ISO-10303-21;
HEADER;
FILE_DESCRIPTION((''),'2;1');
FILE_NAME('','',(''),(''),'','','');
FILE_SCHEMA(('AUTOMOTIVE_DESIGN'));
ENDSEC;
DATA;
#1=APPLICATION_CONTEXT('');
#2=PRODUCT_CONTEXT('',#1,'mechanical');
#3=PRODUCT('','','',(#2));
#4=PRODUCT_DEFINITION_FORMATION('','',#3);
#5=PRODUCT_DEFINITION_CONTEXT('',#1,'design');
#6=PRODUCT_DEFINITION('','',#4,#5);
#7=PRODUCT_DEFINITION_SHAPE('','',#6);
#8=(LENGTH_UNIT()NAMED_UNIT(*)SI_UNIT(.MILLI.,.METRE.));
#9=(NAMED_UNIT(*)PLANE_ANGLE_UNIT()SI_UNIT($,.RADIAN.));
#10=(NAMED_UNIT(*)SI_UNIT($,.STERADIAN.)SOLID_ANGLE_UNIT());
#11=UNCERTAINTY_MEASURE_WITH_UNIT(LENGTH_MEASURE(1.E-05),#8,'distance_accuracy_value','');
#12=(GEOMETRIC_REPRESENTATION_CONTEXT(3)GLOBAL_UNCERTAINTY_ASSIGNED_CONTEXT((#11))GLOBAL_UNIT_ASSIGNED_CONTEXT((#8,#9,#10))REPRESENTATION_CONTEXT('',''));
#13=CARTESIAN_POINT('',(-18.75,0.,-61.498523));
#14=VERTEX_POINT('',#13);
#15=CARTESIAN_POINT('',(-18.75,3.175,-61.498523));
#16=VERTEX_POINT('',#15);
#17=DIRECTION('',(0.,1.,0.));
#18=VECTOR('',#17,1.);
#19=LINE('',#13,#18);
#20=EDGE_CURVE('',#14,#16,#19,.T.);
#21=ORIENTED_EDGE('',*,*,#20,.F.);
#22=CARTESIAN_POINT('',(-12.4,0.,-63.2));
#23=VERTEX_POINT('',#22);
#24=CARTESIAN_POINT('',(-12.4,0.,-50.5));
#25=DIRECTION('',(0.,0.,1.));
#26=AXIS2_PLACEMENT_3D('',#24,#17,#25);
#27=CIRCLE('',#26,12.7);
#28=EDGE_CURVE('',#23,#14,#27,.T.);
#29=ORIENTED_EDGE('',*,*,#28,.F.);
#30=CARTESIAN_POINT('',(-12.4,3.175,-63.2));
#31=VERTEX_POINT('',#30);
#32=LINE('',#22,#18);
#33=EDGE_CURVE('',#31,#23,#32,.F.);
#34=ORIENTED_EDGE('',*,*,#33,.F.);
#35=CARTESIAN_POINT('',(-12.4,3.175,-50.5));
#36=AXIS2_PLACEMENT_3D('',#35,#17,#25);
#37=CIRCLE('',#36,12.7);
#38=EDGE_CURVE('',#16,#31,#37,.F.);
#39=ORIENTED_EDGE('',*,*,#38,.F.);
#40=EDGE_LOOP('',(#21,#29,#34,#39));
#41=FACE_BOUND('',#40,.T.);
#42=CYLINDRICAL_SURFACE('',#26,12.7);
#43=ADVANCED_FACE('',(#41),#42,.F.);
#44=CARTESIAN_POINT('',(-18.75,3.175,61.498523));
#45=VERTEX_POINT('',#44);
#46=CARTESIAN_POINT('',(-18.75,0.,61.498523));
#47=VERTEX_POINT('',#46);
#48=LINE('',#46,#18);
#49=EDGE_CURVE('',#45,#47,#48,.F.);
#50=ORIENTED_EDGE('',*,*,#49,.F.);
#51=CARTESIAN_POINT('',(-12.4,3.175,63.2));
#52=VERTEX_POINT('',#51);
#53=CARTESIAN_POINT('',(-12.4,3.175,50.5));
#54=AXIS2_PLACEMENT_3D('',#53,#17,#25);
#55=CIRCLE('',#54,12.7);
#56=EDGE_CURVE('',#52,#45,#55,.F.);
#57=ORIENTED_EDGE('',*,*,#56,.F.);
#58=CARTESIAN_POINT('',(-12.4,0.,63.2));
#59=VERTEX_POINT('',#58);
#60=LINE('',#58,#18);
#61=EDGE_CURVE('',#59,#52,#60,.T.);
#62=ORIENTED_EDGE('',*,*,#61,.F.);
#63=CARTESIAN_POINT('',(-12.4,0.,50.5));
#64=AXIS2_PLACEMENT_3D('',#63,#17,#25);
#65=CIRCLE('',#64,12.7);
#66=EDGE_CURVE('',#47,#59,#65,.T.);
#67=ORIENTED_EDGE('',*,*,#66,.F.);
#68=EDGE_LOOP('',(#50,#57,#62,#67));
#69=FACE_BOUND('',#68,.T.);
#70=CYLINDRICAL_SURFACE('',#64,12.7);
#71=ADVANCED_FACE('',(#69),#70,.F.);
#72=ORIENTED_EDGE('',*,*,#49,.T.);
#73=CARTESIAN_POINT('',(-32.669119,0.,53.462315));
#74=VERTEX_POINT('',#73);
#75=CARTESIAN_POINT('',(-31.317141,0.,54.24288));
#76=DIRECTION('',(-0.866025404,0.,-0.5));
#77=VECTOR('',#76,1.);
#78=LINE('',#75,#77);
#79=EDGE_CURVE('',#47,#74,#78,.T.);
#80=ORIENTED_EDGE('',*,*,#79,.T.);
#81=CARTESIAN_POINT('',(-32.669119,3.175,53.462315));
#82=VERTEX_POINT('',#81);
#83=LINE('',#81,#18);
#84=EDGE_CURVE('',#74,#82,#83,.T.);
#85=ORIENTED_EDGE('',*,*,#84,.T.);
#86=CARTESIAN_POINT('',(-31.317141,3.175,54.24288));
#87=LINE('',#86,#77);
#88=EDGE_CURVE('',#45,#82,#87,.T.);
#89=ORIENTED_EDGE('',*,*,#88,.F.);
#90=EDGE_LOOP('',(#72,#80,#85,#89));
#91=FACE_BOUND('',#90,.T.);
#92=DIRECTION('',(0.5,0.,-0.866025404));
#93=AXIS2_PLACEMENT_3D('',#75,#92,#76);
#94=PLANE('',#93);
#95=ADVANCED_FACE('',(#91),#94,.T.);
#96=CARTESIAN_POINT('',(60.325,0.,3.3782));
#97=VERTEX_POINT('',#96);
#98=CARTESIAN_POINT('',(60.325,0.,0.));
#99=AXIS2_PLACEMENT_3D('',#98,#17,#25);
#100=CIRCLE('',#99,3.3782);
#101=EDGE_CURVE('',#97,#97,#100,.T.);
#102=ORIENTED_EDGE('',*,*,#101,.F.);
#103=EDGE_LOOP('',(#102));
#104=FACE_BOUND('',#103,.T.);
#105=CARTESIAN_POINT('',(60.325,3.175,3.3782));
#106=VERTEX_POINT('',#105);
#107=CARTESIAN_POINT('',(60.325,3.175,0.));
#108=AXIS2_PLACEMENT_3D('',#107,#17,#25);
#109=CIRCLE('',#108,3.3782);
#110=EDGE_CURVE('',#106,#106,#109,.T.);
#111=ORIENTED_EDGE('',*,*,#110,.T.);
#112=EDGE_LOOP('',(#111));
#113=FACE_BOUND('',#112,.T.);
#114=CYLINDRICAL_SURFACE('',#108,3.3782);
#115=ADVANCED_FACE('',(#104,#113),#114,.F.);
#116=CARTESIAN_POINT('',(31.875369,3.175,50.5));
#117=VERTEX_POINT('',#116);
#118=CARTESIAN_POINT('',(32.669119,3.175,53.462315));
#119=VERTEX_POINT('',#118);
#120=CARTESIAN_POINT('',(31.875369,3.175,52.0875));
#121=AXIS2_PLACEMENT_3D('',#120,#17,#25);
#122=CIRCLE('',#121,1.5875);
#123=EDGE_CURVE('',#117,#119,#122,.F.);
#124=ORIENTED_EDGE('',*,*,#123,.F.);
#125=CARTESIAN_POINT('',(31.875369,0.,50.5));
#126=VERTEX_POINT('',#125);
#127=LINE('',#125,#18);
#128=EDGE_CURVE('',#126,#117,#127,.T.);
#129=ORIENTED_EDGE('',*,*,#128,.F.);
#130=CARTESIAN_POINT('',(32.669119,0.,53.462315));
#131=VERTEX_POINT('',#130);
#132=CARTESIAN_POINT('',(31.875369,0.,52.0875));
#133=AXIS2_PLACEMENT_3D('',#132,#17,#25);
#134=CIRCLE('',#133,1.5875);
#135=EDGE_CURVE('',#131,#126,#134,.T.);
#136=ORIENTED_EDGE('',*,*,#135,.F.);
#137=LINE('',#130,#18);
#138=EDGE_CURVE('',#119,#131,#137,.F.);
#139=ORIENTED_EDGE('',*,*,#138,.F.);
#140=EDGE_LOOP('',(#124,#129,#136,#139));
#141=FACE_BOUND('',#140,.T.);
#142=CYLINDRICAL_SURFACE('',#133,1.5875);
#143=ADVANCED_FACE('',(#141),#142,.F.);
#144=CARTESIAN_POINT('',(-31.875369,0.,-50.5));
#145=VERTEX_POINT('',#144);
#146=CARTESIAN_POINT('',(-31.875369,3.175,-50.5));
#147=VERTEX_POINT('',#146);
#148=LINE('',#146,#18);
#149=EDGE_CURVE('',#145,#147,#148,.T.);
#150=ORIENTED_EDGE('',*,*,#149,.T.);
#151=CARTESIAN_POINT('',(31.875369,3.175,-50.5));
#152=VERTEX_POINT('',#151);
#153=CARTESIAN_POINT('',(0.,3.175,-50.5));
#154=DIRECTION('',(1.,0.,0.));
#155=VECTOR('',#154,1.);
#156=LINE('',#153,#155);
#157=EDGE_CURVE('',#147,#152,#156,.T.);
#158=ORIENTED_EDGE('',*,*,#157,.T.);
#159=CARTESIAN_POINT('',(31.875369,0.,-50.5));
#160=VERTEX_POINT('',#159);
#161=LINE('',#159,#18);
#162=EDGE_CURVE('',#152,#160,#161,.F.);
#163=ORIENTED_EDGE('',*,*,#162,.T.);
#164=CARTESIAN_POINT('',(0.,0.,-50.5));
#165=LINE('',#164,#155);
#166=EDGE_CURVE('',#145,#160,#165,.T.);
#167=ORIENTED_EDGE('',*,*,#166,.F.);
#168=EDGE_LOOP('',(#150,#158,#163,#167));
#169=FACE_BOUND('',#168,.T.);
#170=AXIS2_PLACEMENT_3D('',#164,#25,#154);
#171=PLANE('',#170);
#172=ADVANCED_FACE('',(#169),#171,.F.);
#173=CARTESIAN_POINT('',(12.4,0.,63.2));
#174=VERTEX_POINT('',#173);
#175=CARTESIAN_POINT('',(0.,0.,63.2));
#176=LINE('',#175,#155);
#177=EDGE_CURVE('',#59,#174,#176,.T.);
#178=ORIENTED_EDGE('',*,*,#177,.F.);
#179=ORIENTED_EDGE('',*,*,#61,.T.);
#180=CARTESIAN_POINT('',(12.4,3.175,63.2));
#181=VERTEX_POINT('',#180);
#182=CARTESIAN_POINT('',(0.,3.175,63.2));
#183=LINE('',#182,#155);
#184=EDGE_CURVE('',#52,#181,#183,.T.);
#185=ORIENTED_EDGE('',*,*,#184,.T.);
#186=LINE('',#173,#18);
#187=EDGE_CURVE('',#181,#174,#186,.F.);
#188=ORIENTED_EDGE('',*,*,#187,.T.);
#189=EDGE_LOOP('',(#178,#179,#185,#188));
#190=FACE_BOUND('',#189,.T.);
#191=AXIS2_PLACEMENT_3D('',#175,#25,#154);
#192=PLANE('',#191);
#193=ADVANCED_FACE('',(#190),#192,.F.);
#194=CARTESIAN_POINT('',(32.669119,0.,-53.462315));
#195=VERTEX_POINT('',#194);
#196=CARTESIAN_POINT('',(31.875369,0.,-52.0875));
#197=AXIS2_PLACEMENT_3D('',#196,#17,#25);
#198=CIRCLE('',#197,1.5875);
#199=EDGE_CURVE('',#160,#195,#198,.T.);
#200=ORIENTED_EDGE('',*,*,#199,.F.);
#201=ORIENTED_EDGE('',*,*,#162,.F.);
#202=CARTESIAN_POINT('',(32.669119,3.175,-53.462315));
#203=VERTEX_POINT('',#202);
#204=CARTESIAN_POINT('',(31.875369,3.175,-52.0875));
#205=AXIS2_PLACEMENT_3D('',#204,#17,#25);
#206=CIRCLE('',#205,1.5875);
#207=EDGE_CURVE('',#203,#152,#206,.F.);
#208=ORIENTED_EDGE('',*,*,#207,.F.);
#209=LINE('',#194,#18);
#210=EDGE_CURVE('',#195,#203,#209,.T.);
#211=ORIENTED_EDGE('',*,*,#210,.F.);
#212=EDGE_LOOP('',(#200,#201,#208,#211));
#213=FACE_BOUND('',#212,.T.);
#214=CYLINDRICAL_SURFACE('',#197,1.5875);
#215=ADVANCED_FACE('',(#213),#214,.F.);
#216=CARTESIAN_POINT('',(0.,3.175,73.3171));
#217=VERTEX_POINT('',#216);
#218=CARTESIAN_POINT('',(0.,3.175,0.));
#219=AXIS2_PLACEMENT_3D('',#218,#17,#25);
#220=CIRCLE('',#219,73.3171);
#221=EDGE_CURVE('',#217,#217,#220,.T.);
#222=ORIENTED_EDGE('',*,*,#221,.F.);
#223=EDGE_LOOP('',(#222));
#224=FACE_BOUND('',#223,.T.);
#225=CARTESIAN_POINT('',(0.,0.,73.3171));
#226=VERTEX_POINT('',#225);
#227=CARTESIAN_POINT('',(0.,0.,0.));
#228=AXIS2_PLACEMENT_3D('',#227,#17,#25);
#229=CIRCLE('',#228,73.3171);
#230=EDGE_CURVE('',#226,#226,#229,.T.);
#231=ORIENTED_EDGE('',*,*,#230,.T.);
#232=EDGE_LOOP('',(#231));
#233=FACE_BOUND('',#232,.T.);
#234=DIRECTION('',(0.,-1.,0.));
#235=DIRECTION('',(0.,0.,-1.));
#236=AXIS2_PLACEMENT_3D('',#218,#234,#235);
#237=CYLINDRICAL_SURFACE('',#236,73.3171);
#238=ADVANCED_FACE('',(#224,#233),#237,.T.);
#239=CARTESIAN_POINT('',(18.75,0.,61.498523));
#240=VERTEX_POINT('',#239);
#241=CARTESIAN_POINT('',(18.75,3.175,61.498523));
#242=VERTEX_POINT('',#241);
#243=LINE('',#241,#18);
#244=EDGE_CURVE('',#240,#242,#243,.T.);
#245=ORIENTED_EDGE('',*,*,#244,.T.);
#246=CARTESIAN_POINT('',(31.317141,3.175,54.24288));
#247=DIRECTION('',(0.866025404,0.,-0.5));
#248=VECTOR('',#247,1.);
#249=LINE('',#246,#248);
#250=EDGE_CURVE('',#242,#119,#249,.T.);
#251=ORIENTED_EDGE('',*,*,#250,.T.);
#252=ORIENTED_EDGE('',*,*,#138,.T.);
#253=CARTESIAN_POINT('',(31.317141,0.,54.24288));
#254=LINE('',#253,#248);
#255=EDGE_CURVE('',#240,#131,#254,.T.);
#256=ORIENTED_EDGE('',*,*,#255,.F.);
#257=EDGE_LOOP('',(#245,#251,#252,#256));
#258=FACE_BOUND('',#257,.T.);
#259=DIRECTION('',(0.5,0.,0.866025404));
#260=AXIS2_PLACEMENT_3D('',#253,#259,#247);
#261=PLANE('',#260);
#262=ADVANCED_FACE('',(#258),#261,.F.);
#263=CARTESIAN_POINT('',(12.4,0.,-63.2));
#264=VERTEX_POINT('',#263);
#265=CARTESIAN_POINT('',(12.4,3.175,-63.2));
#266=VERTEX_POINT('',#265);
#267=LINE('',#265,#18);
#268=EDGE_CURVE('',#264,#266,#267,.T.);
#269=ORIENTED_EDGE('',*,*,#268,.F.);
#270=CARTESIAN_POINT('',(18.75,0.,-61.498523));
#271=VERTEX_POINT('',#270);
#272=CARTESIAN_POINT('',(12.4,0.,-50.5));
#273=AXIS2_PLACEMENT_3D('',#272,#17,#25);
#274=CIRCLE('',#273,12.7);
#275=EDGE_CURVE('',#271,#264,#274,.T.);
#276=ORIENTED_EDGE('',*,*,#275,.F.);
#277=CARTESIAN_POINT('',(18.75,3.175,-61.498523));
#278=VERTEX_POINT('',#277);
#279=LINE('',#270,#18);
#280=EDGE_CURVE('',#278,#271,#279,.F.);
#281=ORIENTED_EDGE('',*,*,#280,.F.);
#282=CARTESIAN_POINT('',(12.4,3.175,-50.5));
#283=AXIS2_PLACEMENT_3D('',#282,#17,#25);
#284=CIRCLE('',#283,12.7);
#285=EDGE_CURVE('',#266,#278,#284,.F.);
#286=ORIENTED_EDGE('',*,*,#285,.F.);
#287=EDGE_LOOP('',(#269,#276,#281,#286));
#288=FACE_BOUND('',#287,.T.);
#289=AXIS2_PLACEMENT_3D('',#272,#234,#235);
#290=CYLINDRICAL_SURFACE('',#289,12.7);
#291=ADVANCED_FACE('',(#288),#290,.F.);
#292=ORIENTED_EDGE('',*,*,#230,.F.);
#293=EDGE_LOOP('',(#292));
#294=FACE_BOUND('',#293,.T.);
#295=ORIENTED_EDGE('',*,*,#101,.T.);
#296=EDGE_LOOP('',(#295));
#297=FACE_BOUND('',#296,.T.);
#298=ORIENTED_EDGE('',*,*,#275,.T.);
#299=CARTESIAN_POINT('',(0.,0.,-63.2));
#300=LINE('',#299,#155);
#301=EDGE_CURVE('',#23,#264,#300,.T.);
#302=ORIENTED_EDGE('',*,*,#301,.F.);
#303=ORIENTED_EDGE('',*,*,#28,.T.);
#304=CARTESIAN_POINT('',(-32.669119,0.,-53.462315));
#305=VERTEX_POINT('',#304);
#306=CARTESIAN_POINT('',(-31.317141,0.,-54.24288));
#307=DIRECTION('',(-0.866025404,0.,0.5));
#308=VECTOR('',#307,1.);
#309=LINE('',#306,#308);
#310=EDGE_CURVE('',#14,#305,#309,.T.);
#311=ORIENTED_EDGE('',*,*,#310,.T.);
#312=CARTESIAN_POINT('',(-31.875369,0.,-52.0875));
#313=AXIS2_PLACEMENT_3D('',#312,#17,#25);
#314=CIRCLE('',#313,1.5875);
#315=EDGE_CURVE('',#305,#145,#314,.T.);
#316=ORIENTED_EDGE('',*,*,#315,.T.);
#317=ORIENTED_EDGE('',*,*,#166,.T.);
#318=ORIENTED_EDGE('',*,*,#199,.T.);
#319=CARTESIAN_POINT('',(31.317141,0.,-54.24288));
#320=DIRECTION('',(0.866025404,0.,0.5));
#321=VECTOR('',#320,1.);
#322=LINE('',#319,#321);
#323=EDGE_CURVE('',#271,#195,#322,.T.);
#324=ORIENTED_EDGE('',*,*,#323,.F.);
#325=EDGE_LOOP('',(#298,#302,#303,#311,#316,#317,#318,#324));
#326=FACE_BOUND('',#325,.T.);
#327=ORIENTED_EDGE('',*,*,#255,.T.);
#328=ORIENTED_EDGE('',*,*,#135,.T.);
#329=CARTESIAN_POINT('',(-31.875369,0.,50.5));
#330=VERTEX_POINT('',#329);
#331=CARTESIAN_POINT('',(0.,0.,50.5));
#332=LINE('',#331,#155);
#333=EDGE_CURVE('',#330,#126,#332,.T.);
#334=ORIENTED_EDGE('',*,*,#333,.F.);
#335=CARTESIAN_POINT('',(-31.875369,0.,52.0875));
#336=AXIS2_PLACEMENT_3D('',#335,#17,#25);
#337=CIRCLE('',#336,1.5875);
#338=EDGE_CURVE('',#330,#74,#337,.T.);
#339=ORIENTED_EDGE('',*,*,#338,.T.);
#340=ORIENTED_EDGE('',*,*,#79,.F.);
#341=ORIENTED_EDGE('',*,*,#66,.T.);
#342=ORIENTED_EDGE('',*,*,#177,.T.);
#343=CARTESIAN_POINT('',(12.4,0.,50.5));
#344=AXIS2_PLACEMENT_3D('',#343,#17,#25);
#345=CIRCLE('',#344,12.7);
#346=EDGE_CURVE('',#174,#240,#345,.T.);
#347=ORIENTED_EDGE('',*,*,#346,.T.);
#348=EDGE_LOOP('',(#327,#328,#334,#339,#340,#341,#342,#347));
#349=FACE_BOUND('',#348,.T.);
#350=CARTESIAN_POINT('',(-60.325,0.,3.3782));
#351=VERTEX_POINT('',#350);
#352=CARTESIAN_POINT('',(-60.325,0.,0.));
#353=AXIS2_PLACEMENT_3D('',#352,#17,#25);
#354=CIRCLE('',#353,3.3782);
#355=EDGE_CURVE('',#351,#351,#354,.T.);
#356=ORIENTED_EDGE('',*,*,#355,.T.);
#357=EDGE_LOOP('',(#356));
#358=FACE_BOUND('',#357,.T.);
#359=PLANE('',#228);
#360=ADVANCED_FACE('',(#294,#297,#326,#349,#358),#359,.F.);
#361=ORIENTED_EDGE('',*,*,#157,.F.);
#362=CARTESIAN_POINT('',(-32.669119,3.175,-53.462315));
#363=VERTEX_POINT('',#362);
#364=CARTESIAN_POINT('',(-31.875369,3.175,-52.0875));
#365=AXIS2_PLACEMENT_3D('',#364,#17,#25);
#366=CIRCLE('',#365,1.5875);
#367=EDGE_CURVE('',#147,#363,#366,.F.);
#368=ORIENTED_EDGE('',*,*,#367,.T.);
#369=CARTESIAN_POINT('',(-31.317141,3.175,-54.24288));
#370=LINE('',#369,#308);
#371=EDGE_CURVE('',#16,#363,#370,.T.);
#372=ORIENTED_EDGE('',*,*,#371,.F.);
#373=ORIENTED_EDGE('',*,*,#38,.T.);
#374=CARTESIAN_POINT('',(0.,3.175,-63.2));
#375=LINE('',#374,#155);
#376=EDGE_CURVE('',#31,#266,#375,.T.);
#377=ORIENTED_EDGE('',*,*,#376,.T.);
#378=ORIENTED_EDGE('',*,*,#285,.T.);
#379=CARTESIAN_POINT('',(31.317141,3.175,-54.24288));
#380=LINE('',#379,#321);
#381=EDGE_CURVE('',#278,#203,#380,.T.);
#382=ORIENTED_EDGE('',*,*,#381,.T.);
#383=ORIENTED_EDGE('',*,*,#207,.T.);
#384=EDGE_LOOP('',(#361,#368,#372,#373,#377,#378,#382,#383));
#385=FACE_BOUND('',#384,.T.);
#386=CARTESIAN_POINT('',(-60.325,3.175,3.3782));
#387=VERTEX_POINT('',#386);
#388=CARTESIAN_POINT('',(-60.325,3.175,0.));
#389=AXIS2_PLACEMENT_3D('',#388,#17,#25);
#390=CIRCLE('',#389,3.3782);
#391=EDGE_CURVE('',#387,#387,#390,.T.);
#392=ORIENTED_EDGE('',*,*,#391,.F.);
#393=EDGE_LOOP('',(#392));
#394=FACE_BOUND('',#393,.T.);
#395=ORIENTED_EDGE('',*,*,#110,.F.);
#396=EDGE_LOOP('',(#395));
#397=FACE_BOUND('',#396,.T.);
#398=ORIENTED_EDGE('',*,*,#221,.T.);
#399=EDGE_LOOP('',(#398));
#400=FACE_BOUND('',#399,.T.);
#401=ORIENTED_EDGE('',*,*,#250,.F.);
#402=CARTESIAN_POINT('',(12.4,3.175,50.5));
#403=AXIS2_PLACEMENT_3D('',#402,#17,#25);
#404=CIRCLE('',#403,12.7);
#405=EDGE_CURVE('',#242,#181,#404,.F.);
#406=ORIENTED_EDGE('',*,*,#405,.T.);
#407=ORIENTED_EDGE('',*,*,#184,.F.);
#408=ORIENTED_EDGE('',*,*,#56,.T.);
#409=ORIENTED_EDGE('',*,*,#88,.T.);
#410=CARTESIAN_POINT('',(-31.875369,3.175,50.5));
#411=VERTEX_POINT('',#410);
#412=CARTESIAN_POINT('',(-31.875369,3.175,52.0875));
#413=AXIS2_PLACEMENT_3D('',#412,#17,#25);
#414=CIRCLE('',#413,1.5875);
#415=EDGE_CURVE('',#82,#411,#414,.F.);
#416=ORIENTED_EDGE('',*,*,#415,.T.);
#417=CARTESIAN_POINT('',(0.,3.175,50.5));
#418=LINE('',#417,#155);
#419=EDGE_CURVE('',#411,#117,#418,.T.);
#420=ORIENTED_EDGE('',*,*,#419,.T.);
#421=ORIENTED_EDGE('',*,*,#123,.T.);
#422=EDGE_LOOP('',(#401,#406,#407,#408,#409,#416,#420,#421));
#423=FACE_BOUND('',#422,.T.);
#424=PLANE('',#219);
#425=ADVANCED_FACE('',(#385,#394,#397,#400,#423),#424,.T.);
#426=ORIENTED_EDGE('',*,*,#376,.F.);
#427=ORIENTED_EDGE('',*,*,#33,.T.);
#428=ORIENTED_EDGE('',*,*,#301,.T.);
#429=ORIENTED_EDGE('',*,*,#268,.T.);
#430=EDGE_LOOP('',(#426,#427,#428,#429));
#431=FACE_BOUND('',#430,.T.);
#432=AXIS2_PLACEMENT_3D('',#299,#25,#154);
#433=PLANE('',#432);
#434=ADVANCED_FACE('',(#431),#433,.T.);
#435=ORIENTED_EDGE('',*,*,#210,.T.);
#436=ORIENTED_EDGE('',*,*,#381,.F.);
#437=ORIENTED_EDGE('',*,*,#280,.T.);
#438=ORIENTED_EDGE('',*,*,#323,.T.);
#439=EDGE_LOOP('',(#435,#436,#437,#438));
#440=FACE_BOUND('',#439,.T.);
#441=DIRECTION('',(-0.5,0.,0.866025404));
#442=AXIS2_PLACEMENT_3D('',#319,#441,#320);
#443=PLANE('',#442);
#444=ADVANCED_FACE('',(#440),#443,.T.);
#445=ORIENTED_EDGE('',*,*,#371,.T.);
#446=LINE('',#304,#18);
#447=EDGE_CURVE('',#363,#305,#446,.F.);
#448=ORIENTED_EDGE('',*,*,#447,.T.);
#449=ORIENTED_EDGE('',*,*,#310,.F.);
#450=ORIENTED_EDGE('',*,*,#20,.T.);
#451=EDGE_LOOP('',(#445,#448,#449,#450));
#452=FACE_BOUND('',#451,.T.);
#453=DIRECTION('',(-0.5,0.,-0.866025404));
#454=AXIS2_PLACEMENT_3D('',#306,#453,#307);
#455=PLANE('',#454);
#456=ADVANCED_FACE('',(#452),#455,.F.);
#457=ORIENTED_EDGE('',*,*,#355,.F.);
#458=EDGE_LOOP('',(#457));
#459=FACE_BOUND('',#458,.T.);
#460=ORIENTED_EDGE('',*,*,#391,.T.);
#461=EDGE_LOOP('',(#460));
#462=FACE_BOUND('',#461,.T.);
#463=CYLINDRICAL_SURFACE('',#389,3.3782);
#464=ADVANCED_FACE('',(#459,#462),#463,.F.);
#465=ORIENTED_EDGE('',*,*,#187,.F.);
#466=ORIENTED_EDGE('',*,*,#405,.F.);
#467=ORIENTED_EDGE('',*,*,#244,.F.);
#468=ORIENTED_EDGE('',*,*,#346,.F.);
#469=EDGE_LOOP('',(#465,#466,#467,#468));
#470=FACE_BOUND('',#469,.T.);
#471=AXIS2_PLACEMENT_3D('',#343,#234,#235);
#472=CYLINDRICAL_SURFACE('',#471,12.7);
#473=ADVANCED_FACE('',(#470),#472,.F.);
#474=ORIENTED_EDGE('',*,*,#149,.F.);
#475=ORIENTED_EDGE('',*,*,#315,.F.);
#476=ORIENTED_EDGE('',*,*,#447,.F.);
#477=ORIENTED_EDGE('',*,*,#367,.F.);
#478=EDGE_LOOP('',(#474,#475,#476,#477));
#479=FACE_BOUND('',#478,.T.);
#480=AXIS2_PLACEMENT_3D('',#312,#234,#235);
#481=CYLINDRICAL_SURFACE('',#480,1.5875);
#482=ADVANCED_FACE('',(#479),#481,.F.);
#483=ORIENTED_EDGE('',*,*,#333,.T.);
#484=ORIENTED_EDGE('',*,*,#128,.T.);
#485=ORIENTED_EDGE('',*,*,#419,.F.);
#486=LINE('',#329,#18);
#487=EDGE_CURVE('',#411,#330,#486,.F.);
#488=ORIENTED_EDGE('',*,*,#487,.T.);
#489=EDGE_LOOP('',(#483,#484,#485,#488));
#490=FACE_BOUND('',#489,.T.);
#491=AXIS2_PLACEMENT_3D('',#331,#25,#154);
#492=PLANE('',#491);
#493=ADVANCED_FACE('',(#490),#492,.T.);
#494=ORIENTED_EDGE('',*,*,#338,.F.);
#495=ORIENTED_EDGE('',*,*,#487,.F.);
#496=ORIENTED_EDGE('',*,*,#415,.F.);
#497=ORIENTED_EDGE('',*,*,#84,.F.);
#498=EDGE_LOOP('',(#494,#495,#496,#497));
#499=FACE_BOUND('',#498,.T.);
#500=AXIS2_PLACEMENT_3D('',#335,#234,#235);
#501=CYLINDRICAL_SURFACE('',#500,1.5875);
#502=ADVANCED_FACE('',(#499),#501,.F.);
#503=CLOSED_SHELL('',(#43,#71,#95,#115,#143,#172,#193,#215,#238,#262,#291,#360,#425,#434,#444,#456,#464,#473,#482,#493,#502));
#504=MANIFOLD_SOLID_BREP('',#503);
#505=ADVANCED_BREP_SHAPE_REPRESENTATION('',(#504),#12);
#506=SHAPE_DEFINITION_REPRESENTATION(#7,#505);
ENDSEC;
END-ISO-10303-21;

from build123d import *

# Parameters (mm, degrees)
SKETCH2_R               = 73.3171
BOSS_EXTRUDE1_DEPTH     = 3.175
F_1_4_CLEARANCE_HOLE1_D = 6.7564
CUT_EXTRUDE1_START      = -4.175
CUT_EXTRUDE1_DEPTH      = 5.175
FILLET1_R               = 12.7
FILLET2_R               = 1.5875
FILLET1_OF_MIRROR1_R    = 12.7
FILLET2_OF_MIRROR1_R    = 1.5875


with BuildPart() as part:
    # Sketch2 → Boss-Extrude1 (new body)
    with BuildSketch(Plane(origin=(0, 0, 0), x_dir=(1, 0, 0), z_dir=(0, 1, 0))):
        Circle(SKETCH2_R)
    extrude(amount=BOSS_EXTRUDE1_DEPTH)

    # 1/4 Clearance Hole1 (through all)
    with Locations(Plane(origin=(0, 3.175, 0), x_dir=(1, 0, 0), z_dir=(0, 1, 0))):
        with Locations((-60.325, 0), (60.325, 0)):
            Hole(F_1_4_CLEARANCE_HOLE1_D / 2)

    # Sketch5 → Cut-Extrude1 (cut)
    with BuildSketch(Plane(origin=(0, 3.175, 0), x_dir=(1, 0, 0), z_dir=(0, 1, 0)).offset(CUT_EXTRUDE1_START)):
        Polygon((0, 63.2), (-15.802954744, 63.2), (-37.8, 50.5), (0, 50.5), align=None)
        Polygon((15.802954744, 63.2), (0, 63.2), (0, 50.5), (37.8, 50.5), align=None)
    cut_extrude1 = extrude(amount=CUT_EXTRUDE1_DEPTH, mode=Mode.SUBTRACT)

    # Fillet1
    fillet1_edges = [part.edges().sort_by_distance(p)[0] for p in [
        (-15.802954744, 1.5875, -63.2),
        (15.802954744, 1.5875, -63.2),
    ]]
    fillet(fillet1_edges, radius=FILLET1_R)

    # Fillet2
    fillet2_edges = [part.edges().sort_by_distance(p)[0] for p in [
        (-37.8, 1.5875, -50.5),
        (37.8, 1.5875, -50.5),
    ]]
    fillet(fillet2_edges, radius=FILLET2_R)

    # Mirror1: Cut-Extrude1 across plane
    add(cut_extrude1.mirror(Plane.XY), mode=Mode.SUBTRACT)

    # Fillet1 of Mirror1
    fillet1_of_mirror1_edges = [part.edges().sort_by_distance(p)[0] for p in [
        (-15.802954744, 1.5875, 63.2),
        (15.802954744, 1.5875, 63.2),
    ]]
    fillet(fillet1_of_mirror1_edges, radius=FILLET1_OF_MIRROR1_R)

    # Fillet2 of Mirror1
    fillet2_of_mirror1_edges = [part.edges().sort_by_distance(p)[0] for p in [
        (-37.8, 1.5875, 50.5),
        (37.8, 1.5875, 50.5),
    ]]
    fillet(fillet2_of_mirror1_edges, radius=FILLET2_OF_MIRROR1_R)


solid = part.part
